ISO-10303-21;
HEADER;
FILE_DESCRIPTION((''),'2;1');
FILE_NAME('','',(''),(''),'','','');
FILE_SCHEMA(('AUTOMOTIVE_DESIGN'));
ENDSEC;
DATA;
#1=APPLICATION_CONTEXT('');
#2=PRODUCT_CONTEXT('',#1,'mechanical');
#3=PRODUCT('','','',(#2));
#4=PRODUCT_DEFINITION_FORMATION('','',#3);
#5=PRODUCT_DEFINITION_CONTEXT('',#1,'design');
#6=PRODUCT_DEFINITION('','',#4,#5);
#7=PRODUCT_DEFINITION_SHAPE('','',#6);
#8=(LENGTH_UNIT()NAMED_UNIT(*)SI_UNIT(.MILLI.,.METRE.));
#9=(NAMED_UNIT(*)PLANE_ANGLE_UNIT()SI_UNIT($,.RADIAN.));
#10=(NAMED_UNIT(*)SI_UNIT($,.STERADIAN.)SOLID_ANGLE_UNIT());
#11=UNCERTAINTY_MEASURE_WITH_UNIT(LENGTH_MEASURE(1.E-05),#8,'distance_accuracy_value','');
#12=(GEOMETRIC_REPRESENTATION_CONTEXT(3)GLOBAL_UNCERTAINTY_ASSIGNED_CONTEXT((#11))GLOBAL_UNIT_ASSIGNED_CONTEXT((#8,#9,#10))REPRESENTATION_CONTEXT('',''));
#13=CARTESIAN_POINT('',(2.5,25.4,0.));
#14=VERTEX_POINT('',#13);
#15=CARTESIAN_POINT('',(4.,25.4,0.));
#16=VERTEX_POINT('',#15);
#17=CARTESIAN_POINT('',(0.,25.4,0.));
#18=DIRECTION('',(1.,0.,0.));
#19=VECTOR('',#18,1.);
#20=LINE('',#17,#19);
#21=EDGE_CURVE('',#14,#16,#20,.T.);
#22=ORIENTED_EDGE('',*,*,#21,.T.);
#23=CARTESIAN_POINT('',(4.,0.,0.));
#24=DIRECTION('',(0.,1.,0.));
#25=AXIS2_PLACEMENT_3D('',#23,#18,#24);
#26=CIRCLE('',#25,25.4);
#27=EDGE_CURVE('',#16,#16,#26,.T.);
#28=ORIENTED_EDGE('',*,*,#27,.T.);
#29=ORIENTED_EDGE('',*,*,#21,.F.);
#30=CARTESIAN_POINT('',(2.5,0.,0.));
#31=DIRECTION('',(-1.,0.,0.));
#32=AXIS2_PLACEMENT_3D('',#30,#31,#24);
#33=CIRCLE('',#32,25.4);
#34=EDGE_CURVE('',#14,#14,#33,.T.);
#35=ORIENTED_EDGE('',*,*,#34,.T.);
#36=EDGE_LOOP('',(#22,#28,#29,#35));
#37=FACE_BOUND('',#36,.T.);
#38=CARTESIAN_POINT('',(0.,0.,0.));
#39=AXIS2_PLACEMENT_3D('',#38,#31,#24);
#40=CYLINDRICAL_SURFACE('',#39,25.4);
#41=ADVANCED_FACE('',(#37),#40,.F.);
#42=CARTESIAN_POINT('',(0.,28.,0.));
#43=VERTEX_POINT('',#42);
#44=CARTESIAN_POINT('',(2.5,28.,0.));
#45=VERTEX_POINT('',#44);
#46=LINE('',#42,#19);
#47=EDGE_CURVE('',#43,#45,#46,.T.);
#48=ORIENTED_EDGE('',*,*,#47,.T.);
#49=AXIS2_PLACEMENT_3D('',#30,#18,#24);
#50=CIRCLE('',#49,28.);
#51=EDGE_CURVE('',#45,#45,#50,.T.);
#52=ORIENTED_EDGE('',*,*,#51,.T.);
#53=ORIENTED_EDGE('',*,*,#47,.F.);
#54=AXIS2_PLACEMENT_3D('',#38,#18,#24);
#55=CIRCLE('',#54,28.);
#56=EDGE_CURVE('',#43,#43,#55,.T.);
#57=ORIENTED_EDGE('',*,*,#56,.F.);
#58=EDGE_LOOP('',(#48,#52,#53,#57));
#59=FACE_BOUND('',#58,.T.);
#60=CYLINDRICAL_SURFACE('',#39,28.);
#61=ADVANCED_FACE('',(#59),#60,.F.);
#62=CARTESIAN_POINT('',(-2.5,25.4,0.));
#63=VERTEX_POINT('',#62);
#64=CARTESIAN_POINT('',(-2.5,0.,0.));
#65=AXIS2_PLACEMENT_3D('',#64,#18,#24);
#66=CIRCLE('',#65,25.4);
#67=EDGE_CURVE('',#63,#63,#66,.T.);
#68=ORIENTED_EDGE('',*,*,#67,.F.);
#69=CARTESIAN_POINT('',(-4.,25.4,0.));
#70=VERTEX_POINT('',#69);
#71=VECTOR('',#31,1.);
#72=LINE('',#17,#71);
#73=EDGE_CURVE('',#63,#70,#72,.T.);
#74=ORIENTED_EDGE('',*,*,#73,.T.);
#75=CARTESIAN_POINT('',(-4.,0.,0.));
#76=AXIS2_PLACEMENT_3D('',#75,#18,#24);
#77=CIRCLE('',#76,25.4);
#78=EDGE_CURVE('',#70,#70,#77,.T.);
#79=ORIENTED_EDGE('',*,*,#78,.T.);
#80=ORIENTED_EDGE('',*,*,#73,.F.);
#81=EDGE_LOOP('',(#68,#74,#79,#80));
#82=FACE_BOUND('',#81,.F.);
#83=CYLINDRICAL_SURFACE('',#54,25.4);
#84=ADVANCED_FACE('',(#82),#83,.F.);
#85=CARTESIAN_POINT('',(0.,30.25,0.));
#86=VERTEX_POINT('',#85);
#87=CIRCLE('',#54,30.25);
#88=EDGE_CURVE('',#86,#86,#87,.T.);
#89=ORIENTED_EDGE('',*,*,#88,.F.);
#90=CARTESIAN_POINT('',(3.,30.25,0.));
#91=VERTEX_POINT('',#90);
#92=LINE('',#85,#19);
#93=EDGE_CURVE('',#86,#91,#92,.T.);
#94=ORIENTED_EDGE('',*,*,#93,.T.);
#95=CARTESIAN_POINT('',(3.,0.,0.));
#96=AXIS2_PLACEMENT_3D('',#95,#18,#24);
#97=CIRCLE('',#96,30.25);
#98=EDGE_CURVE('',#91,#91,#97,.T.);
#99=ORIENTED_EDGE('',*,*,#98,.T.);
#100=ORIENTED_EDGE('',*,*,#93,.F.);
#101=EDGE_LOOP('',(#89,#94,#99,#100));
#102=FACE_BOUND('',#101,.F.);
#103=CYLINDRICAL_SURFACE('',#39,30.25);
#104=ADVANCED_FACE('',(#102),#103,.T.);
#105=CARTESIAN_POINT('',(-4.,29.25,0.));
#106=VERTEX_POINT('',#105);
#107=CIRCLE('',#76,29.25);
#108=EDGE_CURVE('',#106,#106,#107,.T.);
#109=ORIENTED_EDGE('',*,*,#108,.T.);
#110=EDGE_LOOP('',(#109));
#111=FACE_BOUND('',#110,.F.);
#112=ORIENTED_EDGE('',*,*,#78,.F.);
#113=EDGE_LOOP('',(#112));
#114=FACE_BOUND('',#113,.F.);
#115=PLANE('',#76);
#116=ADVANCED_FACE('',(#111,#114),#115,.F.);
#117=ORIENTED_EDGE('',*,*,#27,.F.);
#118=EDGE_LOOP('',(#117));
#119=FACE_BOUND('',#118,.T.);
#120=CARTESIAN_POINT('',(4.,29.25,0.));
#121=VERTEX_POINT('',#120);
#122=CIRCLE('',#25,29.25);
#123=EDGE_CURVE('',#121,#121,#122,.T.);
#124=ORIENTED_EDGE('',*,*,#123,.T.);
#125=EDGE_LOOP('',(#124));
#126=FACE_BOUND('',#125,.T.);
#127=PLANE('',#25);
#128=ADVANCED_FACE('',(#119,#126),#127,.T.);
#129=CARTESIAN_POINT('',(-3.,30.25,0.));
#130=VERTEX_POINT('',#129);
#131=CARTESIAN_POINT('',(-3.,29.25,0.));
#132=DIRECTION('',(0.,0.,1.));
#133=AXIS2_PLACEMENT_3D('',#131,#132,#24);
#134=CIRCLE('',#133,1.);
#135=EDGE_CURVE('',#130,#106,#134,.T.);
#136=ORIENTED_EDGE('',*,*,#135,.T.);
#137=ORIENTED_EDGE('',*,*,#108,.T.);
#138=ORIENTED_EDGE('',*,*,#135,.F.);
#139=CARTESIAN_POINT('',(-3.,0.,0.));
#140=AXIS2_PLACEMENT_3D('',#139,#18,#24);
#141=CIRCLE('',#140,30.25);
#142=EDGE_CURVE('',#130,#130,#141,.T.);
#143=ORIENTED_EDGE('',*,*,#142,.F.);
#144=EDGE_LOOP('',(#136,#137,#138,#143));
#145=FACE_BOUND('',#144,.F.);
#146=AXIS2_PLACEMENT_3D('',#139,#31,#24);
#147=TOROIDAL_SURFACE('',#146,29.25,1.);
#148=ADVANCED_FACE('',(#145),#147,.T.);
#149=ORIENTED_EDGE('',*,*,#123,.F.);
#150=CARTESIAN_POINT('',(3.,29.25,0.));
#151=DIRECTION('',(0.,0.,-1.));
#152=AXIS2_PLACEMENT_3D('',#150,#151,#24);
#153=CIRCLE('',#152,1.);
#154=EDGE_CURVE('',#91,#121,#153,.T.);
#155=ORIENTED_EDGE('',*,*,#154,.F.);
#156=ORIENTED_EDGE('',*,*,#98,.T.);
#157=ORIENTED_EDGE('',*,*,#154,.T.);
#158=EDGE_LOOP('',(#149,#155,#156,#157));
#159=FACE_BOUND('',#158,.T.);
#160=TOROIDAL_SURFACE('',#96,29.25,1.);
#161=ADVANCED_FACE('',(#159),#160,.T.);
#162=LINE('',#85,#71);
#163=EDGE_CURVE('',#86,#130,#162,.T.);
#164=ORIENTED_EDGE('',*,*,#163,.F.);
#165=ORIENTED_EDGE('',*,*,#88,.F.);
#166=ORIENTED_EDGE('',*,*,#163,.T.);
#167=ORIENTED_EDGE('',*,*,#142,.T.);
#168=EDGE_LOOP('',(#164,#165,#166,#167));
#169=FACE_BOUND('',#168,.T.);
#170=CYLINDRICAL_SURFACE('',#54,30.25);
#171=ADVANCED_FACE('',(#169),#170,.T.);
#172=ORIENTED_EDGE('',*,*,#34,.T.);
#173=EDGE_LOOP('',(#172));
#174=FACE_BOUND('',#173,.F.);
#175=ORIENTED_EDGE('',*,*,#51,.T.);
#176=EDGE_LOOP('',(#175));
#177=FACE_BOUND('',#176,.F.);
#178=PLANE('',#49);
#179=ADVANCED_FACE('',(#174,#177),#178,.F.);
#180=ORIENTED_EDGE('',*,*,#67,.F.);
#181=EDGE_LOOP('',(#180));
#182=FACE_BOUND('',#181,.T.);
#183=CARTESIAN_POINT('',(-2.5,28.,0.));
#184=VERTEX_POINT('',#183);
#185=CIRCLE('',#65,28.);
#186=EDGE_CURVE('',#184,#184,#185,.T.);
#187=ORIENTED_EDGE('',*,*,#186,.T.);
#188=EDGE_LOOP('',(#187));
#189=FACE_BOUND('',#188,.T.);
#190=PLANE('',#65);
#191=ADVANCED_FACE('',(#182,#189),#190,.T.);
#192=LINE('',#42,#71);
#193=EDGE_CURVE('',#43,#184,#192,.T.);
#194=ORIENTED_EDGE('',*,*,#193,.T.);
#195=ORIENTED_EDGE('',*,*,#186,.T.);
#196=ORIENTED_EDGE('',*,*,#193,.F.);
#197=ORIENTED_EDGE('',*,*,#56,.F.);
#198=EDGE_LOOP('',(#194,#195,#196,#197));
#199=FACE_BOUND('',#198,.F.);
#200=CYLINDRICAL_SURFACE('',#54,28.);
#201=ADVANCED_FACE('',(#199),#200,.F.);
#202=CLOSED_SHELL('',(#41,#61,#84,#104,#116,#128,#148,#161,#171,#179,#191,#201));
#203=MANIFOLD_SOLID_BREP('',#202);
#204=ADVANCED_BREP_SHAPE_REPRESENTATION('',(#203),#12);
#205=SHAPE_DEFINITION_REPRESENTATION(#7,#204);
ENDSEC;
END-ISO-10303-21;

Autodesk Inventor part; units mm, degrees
ref_plane "YZ Plane" through (0, 0, 0) normal (1, 0, 0) x (0, 1, 0)
ref_plane "XZ Plane" through (0, 0, 0) normal (0, 1, 0) x (-1, 0, 0)
ref_plane "XY Plane" through (0, 0, 0) normal (0, 0, 1) x (1, 0, 0)
sketch "Sketch1" plane through (0, 0, 0) normal (1, 0, 0) x (0, 1, 0)
  circle A0 centre (0, 0) radius 30.25
  circle A1 centre (0, 0) radius 25.4
  dimension "d0" = 60.5
  dimension "d3" = 50.8
extrude "Extrusion1" add sketch "Sketch1" along normal mid plane 8
sketch "Sketch2" plane through (0, 0, 0) normal (1, 0, 0) x (0, 1, 0)
  circle A0 centre (0, 0) radius 28
  dimension "d4" = 56
extrude "Extrusion2" cut sketch "Sketch2" along normal mid plane 5
fillet "Fillet1" radius 1 2 edges at (-4, -30.25, 0) (4, -30.25, 0)
properties part number "Rubber Wheel Cap"
